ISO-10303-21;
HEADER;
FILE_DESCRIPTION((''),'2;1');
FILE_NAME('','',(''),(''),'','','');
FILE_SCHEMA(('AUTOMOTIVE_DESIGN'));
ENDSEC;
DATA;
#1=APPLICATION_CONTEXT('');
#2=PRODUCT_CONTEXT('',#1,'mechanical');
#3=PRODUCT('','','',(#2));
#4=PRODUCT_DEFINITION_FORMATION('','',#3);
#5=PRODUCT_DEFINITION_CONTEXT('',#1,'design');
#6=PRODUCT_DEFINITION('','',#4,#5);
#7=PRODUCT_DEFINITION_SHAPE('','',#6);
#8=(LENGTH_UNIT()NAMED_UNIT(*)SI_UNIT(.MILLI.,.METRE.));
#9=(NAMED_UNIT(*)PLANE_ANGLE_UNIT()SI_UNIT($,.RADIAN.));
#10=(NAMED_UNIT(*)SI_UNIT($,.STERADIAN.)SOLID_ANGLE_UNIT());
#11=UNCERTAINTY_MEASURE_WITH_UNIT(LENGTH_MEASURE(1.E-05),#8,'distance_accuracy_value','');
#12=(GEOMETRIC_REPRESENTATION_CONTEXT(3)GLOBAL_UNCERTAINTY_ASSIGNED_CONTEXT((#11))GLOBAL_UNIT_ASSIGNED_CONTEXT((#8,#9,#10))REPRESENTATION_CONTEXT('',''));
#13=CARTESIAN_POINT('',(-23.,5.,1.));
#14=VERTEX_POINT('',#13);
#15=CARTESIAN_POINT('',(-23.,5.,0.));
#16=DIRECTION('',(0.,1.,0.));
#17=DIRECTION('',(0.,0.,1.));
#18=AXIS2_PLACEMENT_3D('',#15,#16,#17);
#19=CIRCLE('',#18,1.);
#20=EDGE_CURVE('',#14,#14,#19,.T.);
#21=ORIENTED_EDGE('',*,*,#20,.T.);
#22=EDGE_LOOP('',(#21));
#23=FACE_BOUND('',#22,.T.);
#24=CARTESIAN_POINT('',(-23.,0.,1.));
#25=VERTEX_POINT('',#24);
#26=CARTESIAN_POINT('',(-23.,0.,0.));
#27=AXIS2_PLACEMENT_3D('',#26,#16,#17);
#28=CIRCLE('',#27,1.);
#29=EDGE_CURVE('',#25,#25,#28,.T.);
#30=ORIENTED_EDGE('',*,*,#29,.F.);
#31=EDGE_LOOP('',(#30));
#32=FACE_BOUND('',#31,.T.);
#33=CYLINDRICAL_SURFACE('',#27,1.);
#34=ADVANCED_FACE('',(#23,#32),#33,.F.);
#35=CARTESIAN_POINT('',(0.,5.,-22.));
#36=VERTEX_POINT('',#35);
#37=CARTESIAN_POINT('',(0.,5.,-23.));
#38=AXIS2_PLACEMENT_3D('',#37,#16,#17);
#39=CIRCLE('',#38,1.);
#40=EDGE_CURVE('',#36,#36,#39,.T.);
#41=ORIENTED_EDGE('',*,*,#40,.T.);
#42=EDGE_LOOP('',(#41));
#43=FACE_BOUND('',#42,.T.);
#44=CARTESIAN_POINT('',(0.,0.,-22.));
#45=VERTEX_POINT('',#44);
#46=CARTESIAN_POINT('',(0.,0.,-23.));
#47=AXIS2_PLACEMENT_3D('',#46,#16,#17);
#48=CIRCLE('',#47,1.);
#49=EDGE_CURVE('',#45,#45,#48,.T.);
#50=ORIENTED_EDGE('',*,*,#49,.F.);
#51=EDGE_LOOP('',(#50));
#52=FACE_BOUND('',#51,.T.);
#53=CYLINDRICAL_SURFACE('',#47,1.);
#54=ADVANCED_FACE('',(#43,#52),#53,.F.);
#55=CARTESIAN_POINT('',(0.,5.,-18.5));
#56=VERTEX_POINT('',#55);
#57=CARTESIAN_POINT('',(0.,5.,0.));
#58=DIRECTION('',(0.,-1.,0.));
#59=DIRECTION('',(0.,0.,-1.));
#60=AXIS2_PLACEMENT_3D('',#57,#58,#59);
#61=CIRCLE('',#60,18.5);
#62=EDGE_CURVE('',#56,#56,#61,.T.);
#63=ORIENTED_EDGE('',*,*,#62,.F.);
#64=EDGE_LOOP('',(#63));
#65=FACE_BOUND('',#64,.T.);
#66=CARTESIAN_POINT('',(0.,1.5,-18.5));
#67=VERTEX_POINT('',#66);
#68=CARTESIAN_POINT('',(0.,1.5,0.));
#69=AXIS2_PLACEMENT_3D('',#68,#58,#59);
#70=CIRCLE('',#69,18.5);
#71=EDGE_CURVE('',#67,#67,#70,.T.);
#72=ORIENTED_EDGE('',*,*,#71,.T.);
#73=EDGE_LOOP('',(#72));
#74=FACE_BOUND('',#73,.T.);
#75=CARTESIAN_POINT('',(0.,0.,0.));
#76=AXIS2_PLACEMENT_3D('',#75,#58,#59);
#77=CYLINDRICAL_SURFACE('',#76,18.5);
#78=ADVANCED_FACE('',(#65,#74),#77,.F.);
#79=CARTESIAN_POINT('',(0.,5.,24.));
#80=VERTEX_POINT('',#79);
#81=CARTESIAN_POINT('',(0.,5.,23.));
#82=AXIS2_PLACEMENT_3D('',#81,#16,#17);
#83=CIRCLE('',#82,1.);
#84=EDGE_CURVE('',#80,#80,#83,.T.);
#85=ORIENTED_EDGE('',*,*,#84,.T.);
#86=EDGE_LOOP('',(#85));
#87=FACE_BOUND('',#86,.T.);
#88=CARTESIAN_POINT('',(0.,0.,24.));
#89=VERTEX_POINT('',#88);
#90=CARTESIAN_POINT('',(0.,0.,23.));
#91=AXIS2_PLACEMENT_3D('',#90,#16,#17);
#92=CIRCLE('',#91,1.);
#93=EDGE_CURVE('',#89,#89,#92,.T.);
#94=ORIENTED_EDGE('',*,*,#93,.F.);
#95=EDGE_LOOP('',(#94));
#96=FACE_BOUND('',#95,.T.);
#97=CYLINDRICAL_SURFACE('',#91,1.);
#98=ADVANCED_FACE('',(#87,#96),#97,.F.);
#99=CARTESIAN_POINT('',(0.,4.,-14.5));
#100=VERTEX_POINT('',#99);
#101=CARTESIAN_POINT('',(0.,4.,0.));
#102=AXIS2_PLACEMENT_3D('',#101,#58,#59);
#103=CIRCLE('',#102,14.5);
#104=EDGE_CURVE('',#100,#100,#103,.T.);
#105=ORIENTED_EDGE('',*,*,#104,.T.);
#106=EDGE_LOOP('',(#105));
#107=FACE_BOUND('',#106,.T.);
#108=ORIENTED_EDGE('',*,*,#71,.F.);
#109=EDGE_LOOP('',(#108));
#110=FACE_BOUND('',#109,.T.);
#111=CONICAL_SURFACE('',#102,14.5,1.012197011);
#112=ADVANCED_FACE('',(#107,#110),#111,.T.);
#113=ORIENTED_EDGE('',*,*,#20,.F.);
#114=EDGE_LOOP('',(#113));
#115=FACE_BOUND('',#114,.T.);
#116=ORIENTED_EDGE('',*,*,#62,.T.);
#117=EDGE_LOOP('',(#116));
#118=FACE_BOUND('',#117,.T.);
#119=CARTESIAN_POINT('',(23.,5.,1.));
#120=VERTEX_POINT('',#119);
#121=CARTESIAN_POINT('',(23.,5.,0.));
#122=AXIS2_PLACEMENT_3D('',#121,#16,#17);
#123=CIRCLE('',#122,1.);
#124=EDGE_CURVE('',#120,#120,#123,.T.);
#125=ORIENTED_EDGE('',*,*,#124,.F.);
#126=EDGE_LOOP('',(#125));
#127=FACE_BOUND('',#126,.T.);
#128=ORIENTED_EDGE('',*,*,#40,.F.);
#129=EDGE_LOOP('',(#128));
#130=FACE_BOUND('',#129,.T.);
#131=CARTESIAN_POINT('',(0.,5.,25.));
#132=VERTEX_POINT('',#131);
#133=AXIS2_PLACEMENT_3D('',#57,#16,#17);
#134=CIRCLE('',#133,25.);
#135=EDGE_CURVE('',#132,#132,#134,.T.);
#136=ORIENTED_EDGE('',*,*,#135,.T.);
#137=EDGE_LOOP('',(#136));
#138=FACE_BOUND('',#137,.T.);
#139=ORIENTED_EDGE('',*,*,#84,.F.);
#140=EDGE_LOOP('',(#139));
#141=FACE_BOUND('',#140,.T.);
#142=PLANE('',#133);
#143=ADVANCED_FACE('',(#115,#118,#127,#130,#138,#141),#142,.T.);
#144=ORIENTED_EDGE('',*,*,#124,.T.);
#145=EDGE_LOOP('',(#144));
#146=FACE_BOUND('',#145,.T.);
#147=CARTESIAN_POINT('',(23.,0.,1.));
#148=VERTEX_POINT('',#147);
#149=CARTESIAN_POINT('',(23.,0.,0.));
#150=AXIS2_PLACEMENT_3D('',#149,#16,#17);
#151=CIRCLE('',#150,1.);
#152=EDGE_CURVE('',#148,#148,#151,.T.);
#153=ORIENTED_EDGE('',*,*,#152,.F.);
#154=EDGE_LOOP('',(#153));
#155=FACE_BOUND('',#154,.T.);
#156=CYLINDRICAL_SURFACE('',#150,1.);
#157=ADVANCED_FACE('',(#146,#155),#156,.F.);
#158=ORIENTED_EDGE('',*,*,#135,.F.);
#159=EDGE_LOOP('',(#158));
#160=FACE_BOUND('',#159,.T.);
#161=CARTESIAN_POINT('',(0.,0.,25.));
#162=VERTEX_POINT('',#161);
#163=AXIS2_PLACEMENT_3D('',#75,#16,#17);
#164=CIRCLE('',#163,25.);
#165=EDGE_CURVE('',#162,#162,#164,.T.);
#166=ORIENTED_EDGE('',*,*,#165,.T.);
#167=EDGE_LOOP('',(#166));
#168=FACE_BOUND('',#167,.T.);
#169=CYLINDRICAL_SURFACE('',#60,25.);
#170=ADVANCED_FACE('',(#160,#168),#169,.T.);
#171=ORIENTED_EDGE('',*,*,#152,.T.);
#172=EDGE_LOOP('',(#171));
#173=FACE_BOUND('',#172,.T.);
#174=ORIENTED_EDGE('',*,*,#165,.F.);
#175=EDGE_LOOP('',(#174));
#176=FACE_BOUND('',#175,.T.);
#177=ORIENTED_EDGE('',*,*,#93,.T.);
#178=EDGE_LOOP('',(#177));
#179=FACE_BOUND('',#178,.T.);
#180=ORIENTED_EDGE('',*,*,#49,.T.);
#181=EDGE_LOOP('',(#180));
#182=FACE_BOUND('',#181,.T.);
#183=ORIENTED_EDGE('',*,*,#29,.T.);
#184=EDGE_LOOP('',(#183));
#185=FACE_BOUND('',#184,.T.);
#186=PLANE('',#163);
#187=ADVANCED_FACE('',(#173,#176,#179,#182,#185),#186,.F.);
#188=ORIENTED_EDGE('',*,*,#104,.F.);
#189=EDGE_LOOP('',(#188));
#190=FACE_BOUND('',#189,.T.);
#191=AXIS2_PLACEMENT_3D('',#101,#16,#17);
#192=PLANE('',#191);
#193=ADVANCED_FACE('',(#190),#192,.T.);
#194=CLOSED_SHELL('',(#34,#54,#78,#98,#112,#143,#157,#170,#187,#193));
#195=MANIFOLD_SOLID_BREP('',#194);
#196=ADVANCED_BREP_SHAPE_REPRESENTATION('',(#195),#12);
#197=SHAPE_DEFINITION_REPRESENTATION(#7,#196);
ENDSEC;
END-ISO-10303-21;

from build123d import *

# Parameters (mm, degrees)
SKETCH_1_R          = 25
EXTRUDE_1_DEPTH     = 5
SKETCH_4_W          = 14.5
SKETCH_4_H          = 1
SKETCH_5_R          = 1
CUT_EXTRUDE_3_DEPTH = 36.707142143


with BuildPart() as part:
    # 草图1 → 凸台-拉伸1 (new body)
    with BuildSketch(Plane(origin=(0, 0, 0), x_dir=(1, 0, 0), z_dir=(0, 1, 0))):
        with Locations(Location((0, 0, 0), (0, 0, 270))):
            Circle(SKETCH_1_R)
    extrude(amount=EXTRUDE_1_DEPTH)

    # 草图4 → 切除-旋转1 (revolve, cut)
    with BuildSketch(Plane.XY, mode=Mode.PRIVATE) as cut_revolve_1_sk:
        with Locations((7.25, 4.5)):
            Rectangle(SKETCH_4_W, SKETCH_4_H)
        Polygon((18.5, 1.5), (18.5, 5), (14.5, 5), (14.5, 4), align=None)
    revolve(cut_revolve_1_sk.sketch.rotate(Axis((0, 0, 0), (0, 1, 0)), 90), axis=Axis((0, 0, 0), (0, 1, 0)), mode=Mode.SUBTRACT)

    # 草图5 → 切除-拉伸3 (cut, through all)
    with BuildSketch(Plane(origin=(0, 5, 0), x_dir=(1, 0, 0), z_dir=(0, 1, 0))):
        with Locations(Location((0, 23, 0), (0, 0, 270))):
            Circle(SKETCH_5_R)
        with Locations(Location((23, 0, 0), (0, 0, 270))):
            Circle(SKETCH_5_R)
        with Locations(Location((0, -23, 0), (0, 0, 270))):
            Circle(SKETCH_5_R)
        with Locations(Location((-23, 0, 0), (0, 0, 270))):
            Circle(SKETCH_5_R)
    extrude(amount=-CUT_EXTRUDE_3_DEPTH, mode=Mode.SUBTRACT)


solid = part.part
